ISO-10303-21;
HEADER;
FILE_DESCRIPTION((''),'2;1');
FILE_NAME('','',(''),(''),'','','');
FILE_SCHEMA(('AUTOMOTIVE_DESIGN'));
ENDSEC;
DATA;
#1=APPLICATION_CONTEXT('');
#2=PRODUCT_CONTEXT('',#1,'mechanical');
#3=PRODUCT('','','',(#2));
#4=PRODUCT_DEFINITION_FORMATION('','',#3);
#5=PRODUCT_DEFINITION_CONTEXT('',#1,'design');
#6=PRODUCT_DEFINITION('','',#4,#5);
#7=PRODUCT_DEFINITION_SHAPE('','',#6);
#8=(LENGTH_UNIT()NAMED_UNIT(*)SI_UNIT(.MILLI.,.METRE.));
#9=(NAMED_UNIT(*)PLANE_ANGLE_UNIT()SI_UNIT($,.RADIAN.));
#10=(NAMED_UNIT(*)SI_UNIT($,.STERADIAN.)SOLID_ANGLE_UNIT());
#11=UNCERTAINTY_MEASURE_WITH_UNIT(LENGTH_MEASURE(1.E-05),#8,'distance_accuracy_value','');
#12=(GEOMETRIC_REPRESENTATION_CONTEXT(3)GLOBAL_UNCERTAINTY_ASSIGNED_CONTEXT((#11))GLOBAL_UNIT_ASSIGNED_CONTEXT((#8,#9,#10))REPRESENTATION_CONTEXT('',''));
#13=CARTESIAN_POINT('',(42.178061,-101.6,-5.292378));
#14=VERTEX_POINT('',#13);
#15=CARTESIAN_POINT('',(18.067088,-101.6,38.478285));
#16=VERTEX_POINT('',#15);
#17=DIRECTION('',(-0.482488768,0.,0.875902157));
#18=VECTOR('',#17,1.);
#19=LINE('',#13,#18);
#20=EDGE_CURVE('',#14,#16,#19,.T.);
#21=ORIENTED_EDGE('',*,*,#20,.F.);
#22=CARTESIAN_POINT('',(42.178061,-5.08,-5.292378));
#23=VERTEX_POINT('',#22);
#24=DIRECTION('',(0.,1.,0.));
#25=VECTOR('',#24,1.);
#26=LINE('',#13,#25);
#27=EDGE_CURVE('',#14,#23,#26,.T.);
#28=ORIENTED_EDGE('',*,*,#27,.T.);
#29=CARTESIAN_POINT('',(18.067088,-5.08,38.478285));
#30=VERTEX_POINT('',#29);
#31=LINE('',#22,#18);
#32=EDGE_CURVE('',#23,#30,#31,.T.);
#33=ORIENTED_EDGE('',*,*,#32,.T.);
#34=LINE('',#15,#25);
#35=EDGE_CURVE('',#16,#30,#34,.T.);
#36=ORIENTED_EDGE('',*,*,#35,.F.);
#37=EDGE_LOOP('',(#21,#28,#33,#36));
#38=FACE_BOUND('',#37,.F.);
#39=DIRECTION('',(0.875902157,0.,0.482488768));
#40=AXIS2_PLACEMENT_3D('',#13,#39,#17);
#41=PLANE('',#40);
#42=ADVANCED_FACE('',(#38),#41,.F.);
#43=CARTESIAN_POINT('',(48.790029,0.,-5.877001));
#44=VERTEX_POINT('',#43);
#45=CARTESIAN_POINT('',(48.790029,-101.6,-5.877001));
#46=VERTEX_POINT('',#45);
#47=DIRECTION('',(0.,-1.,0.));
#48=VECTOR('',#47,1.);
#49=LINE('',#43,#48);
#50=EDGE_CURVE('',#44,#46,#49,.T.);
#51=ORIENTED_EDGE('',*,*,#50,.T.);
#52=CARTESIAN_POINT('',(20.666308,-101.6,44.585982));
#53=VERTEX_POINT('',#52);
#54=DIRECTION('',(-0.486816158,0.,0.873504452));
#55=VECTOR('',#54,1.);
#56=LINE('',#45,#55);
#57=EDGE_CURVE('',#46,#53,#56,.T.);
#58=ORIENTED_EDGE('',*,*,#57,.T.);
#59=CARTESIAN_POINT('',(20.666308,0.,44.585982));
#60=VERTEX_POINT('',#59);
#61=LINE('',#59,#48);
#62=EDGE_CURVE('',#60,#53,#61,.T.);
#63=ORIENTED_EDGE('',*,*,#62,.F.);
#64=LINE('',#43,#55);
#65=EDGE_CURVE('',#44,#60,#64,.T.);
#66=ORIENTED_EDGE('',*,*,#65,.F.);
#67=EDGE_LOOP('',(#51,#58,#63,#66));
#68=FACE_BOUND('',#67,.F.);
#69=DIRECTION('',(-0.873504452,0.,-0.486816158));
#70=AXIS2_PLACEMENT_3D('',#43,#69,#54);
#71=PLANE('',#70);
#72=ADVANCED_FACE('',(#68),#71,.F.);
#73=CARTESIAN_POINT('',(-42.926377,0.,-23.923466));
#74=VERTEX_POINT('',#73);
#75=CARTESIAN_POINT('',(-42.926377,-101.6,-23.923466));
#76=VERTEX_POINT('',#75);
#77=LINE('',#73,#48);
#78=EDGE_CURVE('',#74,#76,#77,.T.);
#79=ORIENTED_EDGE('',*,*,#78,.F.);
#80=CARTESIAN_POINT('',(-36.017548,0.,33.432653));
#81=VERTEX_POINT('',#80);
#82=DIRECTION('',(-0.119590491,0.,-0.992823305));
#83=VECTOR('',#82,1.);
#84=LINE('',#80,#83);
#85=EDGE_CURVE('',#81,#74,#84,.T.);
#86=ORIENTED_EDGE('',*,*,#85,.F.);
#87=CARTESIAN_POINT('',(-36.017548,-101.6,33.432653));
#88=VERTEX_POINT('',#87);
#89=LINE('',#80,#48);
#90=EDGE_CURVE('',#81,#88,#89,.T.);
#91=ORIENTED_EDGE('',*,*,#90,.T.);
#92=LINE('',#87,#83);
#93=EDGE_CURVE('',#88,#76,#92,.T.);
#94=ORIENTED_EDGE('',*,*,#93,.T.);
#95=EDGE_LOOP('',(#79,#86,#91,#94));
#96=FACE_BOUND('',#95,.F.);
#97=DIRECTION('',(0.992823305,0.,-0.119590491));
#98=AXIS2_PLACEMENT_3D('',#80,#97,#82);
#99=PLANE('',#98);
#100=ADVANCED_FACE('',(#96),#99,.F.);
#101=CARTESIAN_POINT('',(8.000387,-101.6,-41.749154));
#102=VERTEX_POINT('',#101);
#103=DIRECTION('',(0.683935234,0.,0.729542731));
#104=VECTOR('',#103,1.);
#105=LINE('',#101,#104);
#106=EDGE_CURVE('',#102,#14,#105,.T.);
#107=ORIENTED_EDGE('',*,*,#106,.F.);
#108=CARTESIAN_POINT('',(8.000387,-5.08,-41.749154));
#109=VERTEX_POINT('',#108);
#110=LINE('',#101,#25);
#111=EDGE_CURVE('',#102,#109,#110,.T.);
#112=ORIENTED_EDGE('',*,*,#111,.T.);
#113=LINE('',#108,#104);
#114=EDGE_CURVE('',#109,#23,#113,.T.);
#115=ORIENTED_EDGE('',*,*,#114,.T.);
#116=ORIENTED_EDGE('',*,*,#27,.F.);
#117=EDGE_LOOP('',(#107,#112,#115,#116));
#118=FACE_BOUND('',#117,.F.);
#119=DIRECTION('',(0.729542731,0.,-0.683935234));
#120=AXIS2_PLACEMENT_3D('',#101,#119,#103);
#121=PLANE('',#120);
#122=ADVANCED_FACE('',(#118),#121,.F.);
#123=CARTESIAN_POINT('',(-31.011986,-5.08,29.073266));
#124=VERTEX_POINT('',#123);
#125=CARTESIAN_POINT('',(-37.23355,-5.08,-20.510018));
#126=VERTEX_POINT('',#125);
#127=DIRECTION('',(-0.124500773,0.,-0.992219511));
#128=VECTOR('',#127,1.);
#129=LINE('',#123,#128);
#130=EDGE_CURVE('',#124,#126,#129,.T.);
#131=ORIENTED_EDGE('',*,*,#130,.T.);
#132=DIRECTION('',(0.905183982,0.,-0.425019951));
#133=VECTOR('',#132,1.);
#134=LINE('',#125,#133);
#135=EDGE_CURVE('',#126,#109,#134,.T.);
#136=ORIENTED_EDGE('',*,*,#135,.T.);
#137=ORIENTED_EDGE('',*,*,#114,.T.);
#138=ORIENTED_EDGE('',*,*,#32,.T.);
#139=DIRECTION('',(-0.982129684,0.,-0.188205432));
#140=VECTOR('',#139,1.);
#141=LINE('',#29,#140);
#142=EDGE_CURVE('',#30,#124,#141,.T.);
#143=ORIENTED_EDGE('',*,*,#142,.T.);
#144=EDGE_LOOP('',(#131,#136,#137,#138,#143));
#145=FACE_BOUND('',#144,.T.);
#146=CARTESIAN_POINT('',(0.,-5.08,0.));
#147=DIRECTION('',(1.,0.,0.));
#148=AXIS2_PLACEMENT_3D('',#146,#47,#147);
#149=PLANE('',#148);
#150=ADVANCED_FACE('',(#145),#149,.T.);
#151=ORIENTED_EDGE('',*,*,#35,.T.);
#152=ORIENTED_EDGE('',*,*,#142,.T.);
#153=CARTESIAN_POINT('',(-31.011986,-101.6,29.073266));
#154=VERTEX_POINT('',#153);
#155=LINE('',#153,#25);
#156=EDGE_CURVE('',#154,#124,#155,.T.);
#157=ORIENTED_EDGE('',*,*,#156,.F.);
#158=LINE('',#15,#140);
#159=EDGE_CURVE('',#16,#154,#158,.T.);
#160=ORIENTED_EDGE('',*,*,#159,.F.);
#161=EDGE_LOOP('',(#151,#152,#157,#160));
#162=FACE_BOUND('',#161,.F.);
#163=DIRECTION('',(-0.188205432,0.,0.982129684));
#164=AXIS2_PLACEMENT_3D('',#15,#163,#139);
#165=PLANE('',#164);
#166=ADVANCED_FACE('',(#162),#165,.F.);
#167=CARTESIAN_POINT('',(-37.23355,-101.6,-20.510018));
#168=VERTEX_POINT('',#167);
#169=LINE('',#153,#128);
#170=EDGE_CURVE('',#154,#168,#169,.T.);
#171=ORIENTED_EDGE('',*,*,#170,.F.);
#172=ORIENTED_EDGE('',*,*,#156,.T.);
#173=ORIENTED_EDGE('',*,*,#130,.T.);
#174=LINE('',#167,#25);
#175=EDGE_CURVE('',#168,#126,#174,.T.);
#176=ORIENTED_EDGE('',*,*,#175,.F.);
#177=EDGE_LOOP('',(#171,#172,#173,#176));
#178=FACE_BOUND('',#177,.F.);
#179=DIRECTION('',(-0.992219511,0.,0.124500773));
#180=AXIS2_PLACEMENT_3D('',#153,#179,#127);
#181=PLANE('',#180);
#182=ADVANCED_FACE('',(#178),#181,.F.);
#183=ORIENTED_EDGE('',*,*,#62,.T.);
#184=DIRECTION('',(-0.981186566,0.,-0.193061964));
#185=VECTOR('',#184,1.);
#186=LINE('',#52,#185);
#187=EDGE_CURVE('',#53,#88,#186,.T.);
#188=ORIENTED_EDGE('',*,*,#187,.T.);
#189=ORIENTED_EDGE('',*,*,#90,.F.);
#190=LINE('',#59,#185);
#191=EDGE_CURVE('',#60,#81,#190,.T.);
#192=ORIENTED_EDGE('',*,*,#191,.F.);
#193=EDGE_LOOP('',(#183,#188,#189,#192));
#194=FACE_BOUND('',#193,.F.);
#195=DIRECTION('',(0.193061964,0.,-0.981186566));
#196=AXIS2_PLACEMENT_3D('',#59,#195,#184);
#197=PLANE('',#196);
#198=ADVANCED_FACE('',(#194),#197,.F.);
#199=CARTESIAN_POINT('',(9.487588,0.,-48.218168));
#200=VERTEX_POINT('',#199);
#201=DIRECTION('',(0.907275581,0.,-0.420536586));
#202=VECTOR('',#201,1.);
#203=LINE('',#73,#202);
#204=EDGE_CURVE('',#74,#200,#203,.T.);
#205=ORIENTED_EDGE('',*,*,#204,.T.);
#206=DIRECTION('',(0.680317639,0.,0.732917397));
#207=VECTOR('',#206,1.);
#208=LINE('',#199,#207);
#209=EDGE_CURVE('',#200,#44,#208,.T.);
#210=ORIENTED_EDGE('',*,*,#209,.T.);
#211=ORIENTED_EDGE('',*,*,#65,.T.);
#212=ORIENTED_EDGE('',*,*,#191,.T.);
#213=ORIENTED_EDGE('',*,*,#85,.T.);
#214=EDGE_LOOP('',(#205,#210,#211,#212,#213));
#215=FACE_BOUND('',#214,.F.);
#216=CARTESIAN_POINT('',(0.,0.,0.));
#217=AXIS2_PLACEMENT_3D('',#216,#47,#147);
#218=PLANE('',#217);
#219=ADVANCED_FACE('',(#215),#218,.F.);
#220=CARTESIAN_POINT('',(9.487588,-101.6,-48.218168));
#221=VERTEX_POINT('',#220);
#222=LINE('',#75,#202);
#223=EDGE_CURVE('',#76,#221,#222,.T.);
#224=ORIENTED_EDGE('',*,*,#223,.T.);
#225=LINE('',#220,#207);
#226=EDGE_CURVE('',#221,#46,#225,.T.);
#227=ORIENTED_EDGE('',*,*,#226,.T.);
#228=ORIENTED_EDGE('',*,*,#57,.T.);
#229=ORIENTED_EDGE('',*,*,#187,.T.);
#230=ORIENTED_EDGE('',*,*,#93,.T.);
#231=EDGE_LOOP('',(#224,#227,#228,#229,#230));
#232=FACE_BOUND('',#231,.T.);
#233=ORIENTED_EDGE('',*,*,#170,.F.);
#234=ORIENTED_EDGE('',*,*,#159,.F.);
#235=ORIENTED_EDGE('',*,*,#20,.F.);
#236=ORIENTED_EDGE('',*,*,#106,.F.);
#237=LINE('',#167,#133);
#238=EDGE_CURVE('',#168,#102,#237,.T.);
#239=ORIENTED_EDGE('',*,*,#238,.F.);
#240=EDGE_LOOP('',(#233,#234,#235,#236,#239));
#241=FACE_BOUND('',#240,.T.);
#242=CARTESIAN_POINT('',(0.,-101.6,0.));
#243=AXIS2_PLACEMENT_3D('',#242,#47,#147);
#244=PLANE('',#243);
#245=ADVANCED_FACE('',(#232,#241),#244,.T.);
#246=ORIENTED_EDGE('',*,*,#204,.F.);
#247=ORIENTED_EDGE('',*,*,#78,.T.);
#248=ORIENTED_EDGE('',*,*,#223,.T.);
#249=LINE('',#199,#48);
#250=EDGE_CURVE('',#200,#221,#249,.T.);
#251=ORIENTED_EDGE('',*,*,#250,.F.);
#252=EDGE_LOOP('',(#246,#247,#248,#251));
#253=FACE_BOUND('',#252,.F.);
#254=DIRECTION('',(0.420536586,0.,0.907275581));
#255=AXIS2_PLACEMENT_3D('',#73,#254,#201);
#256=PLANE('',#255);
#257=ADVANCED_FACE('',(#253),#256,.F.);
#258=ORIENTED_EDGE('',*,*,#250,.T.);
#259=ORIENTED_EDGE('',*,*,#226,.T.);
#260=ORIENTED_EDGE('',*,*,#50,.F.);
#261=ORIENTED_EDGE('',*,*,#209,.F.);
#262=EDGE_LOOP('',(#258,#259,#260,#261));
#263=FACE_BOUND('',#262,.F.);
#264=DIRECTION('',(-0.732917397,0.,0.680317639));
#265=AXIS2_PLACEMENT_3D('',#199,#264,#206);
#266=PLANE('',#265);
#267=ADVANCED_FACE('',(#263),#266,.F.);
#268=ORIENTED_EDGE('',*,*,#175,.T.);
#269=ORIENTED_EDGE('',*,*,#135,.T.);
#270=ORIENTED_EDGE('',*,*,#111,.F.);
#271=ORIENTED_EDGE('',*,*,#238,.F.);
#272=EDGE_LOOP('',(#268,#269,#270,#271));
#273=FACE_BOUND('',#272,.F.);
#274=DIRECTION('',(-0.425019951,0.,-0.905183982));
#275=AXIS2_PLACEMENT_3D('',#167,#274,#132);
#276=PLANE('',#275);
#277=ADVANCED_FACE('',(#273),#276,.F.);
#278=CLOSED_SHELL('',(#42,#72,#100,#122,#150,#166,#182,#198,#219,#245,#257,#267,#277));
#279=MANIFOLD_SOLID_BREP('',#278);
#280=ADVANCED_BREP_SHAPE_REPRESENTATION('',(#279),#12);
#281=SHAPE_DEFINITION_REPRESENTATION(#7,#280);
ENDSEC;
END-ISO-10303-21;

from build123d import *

# Parameters (mm, degrees)
F1_DEPTH = 101.6
F3_DEPTH = 96.52


with BuildPart() as f1:
    # F0 (on Front) → F1 (new body)
    with BuildSketch(Plane.XZ):
        Polygon((48.790029, -5.877001), (20.666308, 44.585982), (-36.017548, 33.432653), (-42.926377, -23.923466), (9.487588, -48.218168), align=None)
    extrude(amount=F1_DEPTH)

    # F2 (on face) → F3 (cut)
    with BuildSketch(Plane.XZ.offset(101.6)):
        Polygon((42.178061, -5.292378), (18.067088, 38.478285), (-31.011986, 29.073266), (-37.23355, -20.510018), (8.000387, -41.749154), align=None)
    extrude(amount=-F3_DEPTH, mode=Mode.SUBTRACT)


solid = f1.part
